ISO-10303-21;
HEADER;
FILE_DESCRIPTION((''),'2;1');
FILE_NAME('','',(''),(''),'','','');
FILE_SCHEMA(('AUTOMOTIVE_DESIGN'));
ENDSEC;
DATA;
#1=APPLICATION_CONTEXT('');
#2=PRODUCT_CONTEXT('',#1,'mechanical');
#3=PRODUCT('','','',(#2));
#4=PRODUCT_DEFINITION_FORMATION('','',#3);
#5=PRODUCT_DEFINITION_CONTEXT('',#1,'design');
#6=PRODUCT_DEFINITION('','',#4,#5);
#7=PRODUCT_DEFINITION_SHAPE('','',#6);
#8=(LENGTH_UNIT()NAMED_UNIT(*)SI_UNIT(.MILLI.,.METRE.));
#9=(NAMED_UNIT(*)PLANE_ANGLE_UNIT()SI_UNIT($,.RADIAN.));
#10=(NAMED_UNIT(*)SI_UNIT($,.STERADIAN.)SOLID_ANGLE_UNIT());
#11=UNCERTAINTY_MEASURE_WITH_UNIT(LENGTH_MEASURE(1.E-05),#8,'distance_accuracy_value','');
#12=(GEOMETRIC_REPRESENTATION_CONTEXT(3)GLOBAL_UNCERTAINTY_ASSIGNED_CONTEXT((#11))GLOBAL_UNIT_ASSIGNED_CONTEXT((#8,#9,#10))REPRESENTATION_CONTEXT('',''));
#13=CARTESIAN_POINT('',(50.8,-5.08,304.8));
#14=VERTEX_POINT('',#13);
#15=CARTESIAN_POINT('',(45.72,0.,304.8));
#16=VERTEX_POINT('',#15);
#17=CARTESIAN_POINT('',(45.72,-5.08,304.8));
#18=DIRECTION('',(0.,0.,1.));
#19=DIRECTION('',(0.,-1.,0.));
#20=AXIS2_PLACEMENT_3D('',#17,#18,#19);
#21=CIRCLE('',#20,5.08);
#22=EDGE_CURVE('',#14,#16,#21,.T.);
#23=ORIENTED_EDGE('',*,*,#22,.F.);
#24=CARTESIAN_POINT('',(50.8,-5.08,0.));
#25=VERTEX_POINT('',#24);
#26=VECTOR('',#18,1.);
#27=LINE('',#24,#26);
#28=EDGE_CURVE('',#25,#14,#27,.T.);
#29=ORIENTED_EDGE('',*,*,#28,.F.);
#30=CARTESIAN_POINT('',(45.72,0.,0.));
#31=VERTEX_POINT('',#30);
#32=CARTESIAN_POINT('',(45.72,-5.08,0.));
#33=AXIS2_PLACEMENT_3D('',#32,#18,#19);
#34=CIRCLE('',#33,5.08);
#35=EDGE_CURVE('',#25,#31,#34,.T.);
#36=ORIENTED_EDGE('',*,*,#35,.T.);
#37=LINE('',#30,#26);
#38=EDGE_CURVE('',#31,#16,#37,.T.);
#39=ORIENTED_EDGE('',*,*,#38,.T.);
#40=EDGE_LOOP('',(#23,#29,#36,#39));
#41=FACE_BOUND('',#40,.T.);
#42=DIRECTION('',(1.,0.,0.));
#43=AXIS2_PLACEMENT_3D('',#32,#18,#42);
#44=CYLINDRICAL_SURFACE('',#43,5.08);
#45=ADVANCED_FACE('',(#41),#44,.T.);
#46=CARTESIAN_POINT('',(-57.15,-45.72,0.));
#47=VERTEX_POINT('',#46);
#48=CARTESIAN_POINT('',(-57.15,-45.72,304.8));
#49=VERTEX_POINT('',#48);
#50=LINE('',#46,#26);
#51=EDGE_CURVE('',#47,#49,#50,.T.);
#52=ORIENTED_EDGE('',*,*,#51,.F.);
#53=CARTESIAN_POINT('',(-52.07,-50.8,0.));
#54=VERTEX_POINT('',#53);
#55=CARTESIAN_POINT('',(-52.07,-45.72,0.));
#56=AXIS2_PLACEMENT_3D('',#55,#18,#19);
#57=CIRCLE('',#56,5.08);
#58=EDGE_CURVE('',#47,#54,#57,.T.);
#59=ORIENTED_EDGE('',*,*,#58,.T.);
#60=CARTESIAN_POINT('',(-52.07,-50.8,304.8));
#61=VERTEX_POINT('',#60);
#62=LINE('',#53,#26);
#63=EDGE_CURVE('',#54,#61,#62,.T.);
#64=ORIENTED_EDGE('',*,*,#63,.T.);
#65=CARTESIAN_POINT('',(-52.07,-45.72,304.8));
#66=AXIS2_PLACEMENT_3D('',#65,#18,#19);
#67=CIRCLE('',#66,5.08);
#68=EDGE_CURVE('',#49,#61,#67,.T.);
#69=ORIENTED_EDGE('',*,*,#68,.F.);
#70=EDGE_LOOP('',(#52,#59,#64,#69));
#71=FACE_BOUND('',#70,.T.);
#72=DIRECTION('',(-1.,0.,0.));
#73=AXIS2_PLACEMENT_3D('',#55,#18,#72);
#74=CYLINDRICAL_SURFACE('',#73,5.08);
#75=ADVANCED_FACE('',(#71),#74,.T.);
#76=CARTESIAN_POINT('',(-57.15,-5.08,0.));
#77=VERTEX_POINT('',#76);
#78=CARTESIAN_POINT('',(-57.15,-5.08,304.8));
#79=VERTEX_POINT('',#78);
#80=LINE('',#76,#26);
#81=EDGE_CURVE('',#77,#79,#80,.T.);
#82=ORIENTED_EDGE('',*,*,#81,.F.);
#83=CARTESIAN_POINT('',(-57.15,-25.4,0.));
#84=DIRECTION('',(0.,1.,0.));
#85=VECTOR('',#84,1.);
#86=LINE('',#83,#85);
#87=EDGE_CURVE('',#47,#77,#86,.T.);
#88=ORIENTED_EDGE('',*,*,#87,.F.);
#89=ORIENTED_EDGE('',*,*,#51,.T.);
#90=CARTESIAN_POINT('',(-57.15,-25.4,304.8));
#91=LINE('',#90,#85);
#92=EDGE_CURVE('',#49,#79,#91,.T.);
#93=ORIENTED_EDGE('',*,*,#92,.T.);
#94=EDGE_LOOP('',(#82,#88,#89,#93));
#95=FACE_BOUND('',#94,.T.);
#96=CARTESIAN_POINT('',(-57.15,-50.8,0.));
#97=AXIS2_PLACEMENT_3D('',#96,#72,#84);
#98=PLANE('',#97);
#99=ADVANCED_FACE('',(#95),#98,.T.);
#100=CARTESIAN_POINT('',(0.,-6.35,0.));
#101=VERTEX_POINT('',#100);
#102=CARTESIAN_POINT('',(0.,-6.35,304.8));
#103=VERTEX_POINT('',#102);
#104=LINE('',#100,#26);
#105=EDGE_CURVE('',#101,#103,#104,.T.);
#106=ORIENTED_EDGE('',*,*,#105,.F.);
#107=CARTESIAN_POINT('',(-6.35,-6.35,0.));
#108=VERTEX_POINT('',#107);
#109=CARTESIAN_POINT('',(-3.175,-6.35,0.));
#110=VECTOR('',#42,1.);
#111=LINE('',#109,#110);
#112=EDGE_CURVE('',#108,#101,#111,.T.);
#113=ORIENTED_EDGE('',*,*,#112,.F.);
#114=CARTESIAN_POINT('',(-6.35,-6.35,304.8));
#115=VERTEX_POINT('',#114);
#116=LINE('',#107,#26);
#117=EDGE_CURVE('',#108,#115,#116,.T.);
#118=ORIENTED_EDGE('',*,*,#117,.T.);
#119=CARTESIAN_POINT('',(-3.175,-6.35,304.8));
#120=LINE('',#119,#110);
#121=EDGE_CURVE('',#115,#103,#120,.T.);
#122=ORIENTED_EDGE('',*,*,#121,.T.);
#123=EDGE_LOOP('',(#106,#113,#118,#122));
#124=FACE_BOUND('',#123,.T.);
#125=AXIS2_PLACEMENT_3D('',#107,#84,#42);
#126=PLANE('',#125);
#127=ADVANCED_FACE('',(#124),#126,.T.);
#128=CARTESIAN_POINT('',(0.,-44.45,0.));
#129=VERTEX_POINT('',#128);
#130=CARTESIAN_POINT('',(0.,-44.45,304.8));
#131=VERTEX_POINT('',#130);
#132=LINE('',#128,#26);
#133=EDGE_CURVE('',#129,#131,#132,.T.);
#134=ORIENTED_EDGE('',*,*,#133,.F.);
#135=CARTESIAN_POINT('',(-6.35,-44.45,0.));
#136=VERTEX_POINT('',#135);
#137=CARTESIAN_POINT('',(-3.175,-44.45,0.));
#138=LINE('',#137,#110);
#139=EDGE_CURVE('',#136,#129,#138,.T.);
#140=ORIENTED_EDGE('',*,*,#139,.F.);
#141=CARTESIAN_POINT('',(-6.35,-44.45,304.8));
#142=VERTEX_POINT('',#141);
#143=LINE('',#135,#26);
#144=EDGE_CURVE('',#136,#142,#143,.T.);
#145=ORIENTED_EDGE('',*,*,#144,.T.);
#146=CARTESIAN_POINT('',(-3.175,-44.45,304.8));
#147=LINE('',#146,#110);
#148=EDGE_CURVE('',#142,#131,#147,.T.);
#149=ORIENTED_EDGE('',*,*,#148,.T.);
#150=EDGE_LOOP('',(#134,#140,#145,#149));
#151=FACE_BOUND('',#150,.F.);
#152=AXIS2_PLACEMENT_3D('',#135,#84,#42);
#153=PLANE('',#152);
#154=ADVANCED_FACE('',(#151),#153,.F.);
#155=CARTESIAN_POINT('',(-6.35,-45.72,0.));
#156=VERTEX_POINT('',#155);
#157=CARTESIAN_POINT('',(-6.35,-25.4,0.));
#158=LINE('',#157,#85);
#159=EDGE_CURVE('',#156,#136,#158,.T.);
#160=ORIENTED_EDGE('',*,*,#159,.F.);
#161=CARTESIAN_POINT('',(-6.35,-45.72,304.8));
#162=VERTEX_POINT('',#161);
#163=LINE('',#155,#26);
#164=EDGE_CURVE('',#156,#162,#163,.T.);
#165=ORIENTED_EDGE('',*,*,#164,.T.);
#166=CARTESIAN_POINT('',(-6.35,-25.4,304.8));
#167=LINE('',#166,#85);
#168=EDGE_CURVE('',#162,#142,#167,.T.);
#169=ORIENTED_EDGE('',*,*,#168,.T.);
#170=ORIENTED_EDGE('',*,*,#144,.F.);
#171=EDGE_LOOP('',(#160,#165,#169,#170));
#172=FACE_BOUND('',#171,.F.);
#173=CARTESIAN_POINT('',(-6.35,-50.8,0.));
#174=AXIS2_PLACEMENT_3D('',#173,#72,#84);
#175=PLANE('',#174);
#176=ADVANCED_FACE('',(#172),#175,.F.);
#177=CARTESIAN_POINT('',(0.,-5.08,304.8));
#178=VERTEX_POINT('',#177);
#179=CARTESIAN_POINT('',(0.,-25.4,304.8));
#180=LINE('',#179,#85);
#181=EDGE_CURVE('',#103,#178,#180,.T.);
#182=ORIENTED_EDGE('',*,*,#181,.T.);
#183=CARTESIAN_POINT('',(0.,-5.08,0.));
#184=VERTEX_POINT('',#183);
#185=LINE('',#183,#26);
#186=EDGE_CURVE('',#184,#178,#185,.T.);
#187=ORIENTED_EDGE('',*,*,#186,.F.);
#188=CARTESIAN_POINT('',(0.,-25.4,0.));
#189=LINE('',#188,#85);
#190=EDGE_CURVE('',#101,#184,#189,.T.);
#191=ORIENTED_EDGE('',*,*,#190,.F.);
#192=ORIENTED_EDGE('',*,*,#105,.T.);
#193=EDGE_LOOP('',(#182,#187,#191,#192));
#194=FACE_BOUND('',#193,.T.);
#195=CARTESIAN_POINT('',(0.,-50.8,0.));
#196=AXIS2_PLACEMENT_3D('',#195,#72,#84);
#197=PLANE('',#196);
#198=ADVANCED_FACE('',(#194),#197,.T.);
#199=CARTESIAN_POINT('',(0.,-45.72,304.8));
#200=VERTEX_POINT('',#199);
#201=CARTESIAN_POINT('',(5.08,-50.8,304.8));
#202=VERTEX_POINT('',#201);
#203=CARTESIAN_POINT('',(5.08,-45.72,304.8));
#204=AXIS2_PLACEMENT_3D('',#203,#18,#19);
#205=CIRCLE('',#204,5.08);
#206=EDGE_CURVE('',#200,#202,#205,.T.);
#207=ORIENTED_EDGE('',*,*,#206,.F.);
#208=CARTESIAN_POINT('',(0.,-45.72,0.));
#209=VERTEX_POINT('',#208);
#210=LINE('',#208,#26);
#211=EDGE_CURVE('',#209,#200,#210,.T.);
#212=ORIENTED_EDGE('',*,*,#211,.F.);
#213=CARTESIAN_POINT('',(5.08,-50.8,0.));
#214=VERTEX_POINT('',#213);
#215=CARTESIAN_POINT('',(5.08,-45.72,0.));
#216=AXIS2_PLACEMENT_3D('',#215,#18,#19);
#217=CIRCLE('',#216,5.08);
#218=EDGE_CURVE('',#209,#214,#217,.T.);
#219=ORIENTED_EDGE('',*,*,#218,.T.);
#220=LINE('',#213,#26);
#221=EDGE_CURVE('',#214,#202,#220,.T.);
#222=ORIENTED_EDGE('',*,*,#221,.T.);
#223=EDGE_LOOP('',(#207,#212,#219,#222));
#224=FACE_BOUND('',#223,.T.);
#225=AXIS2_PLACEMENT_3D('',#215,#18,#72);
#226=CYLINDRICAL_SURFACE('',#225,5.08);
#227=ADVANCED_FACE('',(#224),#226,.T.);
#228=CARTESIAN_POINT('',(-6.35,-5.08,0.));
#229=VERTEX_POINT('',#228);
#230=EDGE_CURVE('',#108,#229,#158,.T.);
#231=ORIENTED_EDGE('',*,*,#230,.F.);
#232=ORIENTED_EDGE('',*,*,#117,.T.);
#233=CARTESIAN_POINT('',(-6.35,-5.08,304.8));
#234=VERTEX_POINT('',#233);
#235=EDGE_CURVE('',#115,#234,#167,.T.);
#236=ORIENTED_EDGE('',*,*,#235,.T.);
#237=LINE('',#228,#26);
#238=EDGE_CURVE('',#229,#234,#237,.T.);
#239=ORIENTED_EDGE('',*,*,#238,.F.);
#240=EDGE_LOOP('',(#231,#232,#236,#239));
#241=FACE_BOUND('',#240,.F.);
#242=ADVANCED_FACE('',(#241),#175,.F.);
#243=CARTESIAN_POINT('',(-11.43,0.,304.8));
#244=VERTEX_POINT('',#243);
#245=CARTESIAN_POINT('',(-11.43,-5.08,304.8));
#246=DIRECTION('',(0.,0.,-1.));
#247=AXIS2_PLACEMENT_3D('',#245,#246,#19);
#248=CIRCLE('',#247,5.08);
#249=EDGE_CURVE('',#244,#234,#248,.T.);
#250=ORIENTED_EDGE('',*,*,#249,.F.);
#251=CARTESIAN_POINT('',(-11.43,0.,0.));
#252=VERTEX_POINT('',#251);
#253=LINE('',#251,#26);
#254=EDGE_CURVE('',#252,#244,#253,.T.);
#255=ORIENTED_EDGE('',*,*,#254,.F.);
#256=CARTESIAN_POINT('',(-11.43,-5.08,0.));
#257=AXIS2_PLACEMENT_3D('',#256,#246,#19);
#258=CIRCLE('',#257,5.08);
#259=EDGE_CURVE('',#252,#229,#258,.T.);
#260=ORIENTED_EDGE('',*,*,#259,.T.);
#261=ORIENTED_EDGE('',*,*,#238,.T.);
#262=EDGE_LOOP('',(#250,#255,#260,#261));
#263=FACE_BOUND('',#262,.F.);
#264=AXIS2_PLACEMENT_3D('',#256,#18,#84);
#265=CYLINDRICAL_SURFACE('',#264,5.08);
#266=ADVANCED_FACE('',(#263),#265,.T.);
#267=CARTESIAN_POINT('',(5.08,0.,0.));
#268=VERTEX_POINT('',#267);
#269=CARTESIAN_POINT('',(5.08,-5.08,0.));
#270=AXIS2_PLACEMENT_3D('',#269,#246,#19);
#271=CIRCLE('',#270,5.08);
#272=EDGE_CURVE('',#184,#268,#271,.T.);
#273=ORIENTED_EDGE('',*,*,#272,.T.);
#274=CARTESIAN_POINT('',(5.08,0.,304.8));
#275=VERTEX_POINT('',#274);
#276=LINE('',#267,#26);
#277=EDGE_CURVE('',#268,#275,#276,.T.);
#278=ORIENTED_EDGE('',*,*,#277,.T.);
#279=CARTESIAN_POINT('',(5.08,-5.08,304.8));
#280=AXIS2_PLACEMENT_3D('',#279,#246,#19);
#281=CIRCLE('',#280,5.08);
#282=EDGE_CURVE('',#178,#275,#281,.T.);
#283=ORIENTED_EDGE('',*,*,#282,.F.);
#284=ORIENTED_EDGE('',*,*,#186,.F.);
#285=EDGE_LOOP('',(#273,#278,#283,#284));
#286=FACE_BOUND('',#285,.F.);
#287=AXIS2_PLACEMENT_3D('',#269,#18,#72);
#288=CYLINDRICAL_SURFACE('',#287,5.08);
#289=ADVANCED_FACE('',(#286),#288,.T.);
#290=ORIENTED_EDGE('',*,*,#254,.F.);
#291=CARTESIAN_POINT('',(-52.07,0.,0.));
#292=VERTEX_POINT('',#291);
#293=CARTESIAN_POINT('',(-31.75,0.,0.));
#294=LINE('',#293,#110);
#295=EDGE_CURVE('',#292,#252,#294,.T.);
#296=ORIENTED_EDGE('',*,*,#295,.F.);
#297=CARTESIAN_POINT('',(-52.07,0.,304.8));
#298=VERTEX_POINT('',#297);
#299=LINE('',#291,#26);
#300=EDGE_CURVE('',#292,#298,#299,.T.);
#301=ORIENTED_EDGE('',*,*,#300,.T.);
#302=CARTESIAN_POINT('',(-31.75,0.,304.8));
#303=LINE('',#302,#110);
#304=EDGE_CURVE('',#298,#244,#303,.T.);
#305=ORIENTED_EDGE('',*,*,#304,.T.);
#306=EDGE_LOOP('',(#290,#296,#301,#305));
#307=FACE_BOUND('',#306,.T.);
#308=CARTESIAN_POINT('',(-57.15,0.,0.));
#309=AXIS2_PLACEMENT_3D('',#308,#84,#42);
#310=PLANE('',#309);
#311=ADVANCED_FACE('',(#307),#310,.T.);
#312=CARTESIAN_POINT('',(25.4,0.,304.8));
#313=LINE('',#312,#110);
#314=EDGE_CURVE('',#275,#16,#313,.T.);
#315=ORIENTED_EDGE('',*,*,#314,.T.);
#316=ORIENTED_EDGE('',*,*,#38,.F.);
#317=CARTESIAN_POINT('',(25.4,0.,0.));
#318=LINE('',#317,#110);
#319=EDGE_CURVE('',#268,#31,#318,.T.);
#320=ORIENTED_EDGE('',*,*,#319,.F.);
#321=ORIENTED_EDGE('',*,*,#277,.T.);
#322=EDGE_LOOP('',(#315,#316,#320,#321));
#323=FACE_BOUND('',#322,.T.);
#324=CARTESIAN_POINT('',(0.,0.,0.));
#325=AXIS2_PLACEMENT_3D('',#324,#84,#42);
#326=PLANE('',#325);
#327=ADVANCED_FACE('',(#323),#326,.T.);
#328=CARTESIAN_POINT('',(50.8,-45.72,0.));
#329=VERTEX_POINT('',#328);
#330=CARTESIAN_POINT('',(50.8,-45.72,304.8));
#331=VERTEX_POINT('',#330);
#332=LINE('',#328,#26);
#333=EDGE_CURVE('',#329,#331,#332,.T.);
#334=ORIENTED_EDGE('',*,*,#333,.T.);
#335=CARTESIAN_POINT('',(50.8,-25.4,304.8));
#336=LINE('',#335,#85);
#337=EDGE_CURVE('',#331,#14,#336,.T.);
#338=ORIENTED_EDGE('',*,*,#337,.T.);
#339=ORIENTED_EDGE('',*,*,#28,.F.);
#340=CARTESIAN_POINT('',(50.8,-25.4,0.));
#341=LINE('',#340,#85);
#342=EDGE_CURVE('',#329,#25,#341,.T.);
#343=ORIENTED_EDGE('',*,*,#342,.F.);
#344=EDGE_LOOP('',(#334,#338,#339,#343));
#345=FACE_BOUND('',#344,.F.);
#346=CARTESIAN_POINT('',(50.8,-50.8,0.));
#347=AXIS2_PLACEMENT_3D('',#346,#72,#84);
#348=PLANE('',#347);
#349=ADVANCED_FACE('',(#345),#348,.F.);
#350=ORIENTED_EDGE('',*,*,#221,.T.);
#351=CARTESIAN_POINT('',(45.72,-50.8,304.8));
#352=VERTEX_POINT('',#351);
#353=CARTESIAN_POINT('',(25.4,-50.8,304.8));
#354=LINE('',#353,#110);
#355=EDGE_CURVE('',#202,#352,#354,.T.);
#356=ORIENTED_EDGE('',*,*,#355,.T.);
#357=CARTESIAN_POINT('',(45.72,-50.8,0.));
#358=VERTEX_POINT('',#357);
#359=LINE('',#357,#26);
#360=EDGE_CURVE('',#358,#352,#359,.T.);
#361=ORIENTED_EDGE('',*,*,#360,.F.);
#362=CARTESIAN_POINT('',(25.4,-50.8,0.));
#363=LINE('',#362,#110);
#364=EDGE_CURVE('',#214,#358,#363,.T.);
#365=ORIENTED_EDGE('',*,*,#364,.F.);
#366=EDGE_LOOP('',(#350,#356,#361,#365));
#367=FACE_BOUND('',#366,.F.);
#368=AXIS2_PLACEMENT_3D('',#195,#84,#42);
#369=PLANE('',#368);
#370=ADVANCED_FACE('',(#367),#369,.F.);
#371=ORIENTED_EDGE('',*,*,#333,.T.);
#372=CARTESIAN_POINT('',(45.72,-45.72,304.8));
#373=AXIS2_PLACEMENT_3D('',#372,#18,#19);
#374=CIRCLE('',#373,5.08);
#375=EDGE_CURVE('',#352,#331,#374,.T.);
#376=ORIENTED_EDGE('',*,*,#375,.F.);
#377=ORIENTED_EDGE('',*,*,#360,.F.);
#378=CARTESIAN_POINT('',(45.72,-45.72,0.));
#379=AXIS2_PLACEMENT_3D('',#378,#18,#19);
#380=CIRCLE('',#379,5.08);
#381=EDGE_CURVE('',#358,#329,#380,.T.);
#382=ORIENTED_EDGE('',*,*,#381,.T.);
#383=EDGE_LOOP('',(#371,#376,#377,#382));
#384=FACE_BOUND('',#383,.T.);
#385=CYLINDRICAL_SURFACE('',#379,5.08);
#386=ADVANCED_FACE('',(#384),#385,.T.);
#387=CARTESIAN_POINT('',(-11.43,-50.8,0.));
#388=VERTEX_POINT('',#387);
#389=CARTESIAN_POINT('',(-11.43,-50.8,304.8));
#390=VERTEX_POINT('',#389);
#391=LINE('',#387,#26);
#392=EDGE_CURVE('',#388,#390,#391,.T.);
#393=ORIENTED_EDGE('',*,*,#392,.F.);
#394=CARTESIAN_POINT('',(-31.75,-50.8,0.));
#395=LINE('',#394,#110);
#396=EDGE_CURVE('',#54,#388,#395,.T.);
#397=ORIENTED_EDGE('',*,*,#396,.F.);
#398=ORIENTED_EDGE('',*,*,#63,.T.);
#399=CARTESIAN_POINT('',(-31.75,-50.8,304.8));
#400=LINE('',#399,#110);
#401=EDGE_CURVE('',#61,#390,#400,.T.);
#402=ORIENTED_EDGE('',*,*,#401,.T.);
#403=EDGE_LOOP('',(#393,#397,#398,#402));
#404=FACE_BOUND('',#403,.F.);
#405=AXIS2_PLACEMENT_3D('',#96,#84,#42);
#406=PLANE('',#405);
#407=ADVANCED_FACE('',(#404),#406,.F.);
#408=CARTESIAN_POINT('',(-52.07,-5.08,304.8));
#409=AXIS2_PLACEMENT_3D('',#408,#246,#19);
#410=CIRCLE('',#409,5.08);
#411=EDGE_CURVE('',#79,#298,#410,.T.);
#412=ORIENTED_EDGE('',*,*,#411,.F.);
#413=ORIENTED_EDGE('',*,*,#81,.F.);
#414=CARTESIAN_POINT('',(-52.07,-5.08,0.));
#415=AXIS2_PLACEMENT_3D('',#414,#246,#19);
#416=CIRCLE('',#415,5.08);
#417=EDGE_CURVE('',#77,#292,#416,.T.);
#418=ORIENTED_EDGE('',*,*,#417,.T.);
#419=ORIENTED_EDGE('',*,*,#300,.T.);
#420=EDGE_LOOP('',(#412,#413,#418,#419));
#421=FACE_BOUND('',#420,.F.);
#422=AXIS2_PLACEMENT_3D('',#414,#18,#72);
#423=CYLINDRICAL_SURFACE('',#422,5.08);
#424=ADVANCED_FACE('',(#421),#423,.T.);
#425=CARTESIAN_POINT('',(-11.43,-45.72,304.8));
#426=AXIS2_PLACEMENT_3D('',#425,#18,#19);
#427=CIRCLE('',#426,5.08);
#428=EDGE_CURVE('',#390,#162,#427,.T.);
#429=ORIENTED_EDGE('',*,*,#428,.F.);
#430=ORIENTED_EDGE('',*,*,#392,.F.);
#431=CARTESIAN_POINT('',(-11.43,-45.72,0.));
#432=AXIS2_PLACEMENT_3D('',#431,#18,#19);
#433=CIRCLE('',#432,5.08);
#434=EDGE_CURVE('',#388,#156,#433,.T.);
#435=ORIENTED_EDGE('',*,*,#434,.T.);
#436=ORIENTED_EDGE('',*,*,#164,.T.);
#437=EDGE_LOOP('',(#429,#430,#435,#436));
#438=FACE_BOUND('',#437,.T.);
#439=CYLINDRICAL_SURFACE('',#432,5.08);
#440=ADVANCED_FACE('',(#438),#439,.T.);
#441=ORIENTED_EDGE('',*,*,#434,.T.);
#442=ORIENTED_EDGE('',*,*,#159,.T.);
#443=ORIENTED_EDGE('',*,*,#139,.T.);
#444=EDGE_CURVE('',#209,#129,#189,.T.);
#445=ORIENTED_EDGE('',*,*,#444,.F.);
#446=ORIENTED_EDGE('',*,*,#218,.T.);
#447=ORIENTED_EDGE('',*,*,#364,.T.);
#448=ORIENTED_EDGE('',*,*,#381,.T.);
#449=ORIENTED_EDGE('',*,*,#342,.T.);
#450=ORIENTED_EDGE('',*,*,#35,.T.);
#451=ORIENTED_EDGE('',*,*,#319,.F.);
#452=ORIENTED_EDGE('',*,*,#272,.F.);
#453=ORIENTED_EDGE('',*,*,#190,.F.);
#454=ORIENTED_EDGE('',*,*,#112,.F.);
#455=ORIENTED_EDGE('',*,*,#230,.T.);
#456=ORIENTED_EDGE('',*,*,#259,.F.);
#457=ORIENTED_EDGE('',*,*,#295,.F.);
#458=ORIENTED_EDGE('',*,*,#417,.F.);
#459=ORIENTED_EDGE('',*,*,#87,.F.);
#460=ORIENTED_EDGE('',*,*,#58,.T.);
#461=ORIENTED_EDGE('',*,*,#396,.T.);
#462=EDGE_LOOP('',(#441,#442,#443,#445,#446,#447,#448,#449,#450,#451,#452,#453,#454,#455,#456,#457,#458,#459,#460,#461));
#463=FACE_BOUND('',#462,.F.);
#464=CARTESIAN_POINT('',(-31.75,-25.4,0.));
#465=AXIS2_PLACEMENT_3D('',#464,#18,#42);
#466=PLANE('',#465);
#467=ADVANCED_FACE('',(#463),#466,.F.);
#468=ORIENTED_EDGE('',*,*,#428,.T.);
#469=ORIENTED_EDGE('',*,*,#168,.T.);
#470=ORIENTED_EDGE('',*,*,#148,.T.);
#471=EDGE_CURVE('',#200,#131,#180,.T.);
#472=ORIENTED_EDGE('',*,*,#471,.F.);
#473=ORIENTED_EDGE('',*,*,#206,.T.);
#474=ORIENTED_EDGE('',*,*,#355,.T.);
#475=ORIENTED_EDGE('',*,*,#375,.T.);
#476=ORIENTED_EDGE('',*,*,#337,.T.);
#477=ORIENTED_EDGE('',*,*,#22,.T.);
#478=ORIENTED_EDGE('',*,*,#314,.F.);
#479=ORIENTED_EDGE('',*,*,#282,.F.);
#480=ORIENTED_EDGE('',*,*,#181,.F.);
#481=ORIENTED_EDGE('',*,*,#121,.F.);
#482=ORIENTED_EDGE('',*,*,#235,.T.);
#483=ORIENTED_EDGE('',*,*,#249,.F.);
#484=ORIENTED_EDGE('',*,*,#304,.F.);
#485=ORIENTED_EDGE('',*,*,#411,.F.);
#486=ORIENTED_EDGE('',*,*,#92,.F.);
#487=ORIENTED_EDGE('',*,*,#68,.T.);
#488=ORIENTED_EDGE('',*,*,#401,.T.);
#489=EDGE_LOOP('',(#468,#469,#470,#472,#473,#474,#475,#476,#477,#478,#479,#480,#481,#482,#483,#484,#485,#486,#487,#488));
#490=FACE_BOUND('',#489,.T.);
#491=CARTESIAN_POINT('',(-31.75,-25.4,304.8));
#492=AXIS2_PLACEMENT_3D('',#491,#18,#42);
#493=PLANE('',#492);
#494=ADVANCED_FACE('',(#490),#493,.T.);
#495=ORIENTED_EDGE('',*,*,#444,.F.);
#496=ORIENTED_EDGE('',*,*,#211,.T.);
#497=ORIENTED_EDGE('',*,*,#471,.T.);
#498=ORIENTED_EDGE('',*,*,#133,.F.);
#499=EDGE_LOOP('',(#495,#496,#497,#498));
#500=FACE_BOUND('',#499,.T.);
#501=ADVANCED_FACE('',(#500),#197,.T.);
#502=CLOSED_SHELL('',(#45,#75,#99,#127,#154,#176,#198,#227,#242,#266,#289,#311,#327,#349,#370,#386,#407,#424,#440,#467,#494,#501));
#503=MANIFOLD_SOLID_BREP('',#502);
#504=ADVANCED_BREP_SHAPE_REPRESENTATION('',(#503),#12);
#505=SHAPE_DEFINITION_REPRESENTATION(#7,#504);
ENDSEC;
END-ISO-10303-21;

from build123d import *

# Parameters (mm, degrees)
F0_W     = 50.8
F0_H     = 50.8
F1_DEPTH = 304.8
F2_R     = 5.08
F3_W     = 6.35
F3_H     = 38.1
F4_DEPTH = 304.8
F5_W     = 50.8
F5_H     = 50.8
F6_DEPTH = 304.8
F7_R     = 5.08


with BuildPart() as f1:
    # F0 (on Top) → F1 (new body)
    with BuildSketch(Plane.XY):
        with Locations((25.4, -25.4)):
            Rectangle(F0_W, F0_H)
    extrude(amount=F1_DEPTH)

    # F2
    f2_edges = [f1.edges().sort_by_distance(p)[0] for p in [
        (0, -50.8, 152.4),
        (50.8, -50.8, 152.4),
        (50.8, 0, 152.4),
        (0, 0, 152.4),
    ]]
    fillet(f2_edges, radius=F2_R)

    # F3 (on Top) → F4 (join)
    with BuildSketch(Plane.XY):
        with Locations((-3.175, -25.4)):
            Rectangle(F3_W, F3_H)
    extrude(amount=F4_DEPTH)

    # F5 (on Top) → F6 (join)
    with BuildSketch(Plane.XY):
        with Locations((-31.75, -25.4)):
            Rectangle(F5_W, F5_H)
    extrude(amount=F6_DEPTH)

    # F7
    f7_edges = [f1.edges().sort_by_distance(p)[0] for p in [
        (-57.15, -50.8, 152.4),
        (-6.35, -50.8, 152.4),
        (-57.15, 0, 152.4),
        (-6.35, 0, 152.4),
    ]]
    fillet(f7_edges, radius=F7_R)


solid = f1.part
